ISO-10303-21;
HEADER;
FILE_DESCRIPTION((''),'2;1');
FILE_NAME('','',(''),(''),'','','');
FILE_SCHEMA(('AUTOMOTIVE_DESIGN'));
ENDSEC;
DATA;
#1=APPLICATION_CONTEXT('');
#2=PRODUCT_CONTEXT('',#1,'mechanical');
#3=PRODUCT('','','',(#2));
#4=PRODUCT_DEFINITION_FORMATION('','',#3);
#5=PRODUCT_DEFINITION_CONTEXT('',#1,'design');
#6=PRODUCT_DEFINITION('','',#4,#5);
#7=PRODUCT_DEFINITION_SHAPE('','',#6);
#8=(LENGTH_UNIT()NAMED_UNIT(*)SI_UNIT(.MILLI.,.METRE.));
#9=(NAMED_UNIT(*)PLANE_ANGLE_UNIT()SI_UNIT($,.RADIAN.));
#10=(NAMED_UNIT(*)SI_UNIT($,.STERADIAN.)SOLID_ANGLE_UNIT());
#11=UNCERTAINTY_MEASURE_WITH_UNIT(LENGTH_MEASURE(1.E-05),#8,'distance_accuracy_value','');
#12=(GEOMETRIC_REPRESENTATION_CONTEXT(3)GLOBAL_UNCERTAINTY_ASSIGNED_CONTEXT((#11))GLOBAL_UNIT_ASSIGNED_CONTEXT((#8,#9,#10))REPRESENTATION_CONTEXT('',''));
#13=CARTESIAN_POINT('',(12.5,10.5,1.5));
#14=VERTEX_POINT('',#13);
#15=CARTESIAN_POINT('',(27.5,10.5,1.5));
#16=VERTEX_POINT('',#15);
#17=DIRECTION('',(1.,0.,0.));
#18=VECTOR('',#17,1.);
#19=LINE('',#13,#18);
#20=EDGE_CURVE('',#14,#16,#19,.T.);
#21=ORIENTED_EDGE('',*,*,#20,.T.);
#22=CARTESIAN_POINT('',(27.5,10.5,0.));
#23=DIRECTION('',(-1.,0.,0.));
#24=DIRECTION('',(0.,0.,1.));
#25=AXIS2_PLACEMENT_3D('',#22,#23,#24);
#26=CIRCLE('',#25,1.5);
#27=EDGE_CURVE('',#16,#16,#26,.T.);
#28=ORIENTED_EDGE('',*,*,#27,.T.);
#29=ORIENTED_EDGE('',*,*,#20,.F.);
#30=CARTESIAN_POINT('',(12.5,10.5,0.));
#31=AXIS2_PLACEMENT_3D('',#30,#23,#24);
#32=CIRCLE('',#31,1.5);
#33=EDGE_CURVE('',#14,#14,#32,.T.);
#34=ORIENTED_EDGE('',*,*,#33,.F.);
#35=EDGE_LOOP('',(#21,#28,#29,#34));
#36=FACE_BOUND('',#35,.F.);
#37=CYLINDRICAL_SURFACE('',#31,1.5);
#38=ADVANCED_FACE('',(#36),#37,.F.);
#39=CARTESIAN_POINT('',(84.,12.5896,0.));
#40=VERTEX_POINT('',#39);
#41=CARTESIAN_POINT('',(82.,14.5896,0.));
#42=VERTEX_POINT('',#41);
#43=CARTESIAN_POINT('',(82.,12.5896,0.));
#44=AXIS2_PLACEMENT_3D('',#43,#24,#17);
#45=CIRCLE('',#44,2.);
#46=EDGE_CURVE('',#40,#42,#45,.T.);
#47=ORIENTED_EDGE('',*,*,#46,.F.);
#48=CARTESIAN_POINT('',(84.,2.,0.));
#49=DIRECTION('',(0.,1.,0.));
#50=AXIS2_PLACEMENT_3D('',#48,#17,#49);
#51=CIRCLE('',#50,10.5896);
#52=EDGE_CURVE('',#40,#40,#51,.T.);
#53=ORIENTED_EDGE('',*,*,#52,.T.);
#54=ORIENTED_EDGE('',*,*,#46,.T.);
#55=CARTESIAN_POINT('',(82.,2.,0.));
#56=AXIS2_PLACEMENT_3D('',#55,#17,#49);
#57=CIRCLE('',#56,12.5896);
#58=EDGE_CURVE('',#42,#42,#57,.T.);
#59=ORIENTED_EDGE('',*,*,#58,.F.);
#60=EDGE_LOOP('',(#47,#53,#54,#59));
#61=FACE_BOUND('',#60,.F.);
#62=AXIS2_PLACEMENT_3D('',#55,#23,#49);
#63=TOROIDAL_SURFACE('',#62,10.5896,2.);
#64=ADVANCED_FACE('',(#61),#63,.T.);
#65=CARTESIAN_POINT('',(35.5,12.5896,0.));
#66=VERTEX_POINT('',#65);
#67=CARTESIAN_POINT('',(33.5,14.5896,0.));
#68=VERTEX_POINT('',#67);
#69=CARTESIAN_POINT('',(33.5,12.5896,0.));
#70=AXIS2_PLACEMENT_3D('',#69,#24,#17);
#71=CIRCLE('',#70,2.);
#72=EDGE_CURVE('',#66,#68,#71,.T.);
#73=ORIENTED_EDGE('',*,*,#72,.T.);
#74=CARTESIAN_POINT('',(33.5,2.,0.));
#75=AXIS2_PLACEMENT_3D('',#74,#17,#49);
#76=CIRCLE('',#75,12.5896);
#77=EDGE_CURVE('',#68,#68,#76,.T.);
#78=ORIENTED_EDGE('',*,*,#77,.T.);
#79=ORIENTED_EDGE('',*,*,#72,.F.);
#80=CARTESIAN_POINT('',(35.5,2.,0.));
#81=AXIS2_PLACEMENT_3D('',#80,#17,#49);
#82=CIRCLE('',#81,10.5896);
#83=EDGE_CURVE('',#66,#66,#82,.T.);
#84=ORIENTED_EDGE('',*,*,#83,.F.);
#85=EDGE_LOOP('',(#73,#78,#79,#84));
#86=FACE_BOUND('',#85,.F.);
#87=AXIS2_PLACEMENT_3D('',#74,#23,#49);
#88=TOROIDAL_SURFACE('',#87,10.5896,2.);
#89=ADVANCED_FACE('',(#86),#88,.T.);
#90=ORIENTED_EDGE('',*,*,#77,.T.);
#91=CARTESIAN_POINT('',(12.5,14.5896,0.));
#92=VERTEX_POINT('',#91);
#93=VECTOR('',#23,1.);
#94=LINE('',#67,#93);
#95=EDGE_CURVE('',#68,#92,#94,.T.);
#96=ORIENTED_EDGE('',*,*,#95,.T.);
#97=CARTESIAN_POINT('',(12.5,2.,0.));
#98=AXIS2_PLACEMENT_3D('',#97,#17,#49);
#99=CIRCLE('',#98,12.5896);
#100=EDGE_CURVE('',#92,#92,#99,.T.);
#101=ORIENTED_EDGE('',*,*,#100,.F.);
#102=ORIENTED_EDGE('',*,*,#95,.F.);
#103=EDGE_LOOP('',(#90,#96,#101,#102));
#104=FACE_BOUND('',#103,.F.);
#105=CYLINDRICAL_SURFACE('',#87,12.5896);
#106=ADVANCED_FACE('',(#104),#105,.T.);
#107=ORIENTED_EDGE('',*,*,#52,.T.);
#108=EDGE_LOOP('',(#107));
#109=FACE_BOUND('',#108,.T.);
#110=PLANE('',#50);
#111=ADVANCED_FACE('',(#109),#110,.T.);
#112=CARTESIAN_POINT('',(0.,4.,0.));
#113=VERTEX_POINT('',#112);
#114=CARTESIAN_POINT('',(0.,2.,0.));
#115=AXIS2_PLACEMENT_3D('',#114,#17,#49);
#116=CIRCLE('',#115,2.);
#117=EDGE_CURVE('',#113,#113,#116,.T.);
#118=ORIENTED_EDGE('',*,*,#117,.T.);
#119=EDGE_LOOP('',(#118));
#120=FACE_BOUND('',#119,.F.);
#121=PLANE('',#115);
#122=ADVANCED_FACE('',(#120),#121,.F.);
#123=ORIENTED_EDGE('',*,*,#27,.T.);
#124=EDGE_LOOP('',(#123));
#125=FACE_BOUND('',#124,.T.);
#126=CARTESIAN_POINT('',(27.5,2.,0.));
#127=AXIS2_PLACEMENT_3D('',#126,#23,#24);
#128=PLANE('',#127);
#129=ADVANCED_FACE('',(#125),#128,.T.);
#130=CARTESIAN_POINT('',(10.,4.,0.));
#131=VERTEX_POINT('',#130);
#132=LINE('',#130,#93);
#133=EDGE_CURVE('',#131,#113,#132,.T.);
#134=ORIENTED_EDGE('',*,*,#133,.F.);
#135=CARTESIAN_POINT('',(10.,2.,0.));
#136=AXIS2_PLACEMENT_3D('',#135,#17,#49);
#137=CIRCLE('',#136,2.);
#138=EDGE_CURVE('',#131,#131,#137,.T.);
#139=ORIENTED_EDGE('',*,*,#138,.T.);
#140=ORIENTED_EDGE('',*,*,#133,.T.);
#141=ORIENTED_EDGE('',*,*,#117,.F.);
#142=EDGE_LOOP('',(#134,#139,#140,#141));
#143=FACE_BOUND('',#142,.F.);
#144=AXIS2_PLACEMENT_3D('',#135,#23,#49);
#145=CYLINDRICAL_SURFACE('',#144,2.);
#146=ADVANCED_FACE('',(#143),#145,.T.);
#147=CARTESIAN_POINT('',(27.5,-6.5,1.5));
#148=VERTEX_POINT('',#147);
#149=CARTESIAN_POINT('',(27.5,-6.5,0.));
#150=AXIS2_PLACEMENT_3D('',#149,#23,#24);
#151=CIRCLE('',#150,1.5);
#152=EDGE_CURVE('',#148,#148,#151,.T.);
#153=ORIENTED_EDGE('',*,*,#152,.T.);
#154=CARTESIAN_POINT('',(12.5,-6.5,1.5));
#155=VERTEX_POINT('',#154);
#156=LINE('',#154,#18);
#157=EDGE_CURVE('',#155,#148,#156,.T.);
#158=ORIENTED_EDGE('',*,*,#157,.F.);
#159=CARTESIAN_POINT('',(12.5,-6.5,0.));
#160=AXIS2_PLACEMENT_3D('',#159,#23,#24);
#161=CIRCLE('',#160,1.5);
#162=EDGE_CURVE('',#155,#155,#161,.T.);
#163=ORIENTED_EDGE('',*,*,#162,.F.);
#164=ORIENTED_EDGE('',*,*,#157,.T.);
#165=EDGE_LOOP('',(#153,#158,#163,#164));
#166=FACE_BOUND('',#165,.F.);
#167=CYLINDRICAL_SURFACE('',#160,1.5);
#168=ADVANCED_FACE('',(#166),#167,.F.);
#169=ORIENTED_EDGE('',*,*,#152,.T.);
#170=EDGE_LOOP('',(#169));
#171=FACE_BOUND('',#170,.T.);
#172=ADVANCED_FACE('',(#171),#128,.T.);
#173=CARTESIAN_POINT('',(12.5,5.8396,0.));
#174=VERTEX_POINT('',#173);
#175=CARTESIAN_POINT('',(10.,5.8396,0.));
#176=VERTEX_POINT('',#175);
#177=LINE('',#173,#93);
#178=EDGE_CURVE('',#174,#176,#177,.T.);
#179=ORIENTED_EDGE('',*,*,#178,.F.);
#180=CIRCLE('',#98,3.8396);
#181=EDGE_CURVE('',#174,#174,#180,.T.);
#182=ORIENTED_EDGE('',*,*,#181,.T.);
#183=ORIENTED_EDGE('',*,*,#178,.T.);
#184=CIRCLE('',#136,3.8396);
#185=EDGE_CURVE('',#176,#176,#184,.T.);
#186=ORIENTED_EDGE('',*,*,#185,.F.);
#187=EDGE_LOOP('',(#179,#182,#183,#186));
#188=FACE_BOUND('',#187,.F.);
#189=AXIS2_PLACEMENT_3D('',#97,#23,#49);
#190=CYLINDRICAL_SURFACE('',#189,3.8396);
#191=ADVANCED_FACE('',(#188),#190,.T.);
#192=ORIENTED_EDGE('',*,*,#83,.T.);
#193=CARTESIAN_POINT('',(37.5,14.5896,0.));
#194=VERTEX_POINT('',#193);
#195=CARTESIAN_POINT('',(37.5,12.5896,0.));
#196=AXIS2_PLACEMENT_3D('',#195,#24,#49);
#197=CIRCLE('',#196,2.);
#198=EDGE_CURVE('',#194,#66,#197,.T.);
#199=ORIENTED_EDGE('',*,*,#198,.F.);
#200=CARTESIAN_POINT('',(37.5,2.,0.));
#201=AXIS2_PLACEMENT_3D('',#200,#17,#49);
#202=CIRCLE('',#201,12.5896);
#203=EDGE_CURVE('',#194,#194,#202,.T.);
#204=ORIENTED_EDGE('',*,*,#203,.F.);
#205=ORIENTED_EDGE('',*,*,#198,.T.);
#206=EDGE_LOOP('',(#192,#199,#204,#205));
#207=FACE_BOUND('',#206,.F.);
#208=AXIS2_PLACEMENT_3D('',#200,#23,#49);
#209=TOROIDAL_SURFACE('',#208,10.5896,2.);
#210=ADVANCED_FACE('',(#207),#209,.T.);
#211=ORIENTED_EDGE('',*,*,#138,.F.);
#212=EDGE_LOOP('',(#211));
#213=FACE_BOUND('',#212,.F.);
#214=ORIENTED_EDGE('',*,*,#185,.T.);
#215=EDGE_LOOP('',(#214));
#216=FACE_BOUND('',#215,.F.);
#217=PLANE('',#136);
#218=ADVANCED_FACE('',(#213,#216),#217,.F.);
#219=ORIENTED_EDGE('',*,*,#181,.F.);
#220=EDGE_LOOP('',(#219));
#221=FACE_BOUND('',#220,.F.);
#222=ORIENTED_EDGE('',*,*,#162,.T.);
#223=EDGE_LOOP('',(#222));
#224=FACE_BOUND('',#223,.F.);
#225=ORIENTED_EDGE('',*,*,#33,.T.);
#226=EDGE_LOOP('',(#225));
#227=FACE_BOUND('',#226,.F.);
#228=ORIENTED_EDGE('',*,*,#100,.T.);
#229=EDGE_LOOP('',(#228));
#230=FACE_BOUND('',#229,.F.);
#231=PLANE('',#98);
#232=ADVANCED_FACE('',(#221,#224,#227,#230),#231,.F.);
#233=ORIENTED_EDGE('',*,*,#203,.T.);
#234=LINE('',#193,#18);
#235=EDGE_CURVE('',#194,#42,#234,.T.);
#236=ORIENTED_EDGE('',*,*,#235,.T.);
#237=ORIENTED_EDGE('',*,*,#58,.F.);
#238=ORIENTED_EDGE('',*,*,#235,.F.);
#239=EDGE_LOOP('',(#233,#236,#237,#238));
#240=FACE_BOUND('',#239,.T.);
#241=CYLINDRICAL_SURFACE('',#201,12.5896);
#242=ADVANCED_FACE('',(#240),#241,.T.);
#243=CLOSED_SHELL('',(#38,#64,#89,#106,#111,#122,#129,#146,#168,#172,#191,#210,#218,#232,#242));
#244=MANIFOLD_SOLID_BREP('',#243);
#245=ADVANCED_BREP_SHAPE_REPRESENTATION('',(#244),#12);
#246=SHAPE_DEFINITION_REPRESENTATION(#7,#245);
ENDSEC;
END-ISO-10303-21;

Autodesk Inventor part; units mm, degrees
ref_plane "YZ Plane" through (0, 0, 0) normal (1, 0, 0) x (0, 1, 0)
ref_plane "XZ Plane" through (0, 0, 0) normal (0, 1, 0) x (-1, 0, 0)
ref_plane "XY Plane" through (0, 0, 0) normal (0, 0, 1) x (1, 0, 0)
sketch "Boceto1" plane through (0, 0, 0) normal (0, 0, 1) x (1, 0, 0)
  line L0 (0, 0) -> (10, 0)
  line L1 (10, 0) -> (10, -1.1604)
  line L2 (10, -1.1604) -> (12.5, -1.1604)
  line L3 (12.5, -1.1604) -> (12.5, -9.9104)
  line L4 (12.5, -9.9104) -> (33.5, -9.9104)
  line L5 (35.5, -7.9104) -> (35.5, 12.5896)
  line L6 (33.5, 14.5896) -> (12.5, 14.5896)
  line L7 (12.5, 14.5896) -> (12.5, 5.8396)
  line L8 (12.5, 5.8396) -> (10, 5.8396)
  line L9 (10, 5.8396) -> (10, 4)
  line L10 (10, 4) -> (0, 4)
  line L11 (0, 4) -> (0, 0)
  line L12 (37.5, 14.5896) -> (66.5, 14.5896)
  line L13 (66.5, 14.5896) -> (66.5, -9.9104)
  line L14 (66.5, -9.9104) -> (37.5, -9.9104)
  arc A0 (37.5, 14.5896) -> (35.5, 12.5896) centre (37.5, 12.5896) ccw
  arc A1 (35.5, -7.9104) -> (37.5, -9.9104) centre (37.5, -7.9104) ccw
  arc A2 (35.5, 12.5896) -> (33.5, 14.5896) centre (33.5, 12.5896) ccw
  arc A3 (33.5, -9.9104) -> (35.5, -7.9104) centre (33.5, -7.9104) ccw
  line L15 (66.5, 14.5896) -> (82, 14.5896)
  line L16 (84, 12.5896) -> (84, -7.9104)
  line L17 (82, -9.9104) -> (66.5, -9.9104)
  arc A4 (84, 12.5896) -> (82, 14.5896) centre (82, 12.5896) ccw
  arc A5 (82, -9.9104) -> (84, -7.9104) centre (82, -7.9104) ccw
  line L18 (-5.0848, 2) -> (93.2281, 2)
  point P0 (35.5, -9.9104)
  point P1 (35.5, 14.5896)
  point P2 (11.25, 5.8396)
  point P3 (11.25, -1.1604)
  point P4 (84, 14.5896)
  point P5 (0, 2)
  point P6 (84, 2)
  point P7 (35.5, 12.5896)
  dimension "d0" = 4
  dimension "d1" = 10
  dimension "d2" = 2.5
  dimension "d3" = 7
  dimension "d4" = 24.5
  dimension "d5" = 8.75
  dimension "d6" = 23
  dimension "d7" = 31
  dimension "d8" = 2
  dimension "d9" = 2
  dimension "d10" = 17.5
  dimension "d11" = 2
  dimension "d12" = 2
revolve "Revolución1" add sketch "Boceto1" angle 360 about axis through (-5.0848, 2, 0) along (1, 0, 0) contours L11 L10 L9 L8 L7 L6 A2 L5 L18 | L5 A0 L12 L13 L18 | L13 L15 A4 L16 L18
sketch "Boceto2" plane through (12.5, 2, 0) normal (-1, 0, 0) x (0, 0, 1)
  circle A0 centre (0, 8.5) radius 1.5
  circle A1 centre (0, -8.5) radius 1.5
  circle A2 centre (0, 0) radius 2 projected
  point P0 (0, -2)
  dimension "d14" = 3
  dimension "d15" = 3
  dimension "d17" = 8.5
  dimension "d18" = 17
extrude "Extrusión1" cut sketch "Boceto2" against normal blind 15 contours A0 | A1
thread "Rosca1" size "M3x0.5" class "6H" standard "ANSI Metric M Profile" length 40
thread "Rosca2" size "M3x0.5" class "6H" standard "ANSI Metric M Profile" length 40
properties part number "Motor"
